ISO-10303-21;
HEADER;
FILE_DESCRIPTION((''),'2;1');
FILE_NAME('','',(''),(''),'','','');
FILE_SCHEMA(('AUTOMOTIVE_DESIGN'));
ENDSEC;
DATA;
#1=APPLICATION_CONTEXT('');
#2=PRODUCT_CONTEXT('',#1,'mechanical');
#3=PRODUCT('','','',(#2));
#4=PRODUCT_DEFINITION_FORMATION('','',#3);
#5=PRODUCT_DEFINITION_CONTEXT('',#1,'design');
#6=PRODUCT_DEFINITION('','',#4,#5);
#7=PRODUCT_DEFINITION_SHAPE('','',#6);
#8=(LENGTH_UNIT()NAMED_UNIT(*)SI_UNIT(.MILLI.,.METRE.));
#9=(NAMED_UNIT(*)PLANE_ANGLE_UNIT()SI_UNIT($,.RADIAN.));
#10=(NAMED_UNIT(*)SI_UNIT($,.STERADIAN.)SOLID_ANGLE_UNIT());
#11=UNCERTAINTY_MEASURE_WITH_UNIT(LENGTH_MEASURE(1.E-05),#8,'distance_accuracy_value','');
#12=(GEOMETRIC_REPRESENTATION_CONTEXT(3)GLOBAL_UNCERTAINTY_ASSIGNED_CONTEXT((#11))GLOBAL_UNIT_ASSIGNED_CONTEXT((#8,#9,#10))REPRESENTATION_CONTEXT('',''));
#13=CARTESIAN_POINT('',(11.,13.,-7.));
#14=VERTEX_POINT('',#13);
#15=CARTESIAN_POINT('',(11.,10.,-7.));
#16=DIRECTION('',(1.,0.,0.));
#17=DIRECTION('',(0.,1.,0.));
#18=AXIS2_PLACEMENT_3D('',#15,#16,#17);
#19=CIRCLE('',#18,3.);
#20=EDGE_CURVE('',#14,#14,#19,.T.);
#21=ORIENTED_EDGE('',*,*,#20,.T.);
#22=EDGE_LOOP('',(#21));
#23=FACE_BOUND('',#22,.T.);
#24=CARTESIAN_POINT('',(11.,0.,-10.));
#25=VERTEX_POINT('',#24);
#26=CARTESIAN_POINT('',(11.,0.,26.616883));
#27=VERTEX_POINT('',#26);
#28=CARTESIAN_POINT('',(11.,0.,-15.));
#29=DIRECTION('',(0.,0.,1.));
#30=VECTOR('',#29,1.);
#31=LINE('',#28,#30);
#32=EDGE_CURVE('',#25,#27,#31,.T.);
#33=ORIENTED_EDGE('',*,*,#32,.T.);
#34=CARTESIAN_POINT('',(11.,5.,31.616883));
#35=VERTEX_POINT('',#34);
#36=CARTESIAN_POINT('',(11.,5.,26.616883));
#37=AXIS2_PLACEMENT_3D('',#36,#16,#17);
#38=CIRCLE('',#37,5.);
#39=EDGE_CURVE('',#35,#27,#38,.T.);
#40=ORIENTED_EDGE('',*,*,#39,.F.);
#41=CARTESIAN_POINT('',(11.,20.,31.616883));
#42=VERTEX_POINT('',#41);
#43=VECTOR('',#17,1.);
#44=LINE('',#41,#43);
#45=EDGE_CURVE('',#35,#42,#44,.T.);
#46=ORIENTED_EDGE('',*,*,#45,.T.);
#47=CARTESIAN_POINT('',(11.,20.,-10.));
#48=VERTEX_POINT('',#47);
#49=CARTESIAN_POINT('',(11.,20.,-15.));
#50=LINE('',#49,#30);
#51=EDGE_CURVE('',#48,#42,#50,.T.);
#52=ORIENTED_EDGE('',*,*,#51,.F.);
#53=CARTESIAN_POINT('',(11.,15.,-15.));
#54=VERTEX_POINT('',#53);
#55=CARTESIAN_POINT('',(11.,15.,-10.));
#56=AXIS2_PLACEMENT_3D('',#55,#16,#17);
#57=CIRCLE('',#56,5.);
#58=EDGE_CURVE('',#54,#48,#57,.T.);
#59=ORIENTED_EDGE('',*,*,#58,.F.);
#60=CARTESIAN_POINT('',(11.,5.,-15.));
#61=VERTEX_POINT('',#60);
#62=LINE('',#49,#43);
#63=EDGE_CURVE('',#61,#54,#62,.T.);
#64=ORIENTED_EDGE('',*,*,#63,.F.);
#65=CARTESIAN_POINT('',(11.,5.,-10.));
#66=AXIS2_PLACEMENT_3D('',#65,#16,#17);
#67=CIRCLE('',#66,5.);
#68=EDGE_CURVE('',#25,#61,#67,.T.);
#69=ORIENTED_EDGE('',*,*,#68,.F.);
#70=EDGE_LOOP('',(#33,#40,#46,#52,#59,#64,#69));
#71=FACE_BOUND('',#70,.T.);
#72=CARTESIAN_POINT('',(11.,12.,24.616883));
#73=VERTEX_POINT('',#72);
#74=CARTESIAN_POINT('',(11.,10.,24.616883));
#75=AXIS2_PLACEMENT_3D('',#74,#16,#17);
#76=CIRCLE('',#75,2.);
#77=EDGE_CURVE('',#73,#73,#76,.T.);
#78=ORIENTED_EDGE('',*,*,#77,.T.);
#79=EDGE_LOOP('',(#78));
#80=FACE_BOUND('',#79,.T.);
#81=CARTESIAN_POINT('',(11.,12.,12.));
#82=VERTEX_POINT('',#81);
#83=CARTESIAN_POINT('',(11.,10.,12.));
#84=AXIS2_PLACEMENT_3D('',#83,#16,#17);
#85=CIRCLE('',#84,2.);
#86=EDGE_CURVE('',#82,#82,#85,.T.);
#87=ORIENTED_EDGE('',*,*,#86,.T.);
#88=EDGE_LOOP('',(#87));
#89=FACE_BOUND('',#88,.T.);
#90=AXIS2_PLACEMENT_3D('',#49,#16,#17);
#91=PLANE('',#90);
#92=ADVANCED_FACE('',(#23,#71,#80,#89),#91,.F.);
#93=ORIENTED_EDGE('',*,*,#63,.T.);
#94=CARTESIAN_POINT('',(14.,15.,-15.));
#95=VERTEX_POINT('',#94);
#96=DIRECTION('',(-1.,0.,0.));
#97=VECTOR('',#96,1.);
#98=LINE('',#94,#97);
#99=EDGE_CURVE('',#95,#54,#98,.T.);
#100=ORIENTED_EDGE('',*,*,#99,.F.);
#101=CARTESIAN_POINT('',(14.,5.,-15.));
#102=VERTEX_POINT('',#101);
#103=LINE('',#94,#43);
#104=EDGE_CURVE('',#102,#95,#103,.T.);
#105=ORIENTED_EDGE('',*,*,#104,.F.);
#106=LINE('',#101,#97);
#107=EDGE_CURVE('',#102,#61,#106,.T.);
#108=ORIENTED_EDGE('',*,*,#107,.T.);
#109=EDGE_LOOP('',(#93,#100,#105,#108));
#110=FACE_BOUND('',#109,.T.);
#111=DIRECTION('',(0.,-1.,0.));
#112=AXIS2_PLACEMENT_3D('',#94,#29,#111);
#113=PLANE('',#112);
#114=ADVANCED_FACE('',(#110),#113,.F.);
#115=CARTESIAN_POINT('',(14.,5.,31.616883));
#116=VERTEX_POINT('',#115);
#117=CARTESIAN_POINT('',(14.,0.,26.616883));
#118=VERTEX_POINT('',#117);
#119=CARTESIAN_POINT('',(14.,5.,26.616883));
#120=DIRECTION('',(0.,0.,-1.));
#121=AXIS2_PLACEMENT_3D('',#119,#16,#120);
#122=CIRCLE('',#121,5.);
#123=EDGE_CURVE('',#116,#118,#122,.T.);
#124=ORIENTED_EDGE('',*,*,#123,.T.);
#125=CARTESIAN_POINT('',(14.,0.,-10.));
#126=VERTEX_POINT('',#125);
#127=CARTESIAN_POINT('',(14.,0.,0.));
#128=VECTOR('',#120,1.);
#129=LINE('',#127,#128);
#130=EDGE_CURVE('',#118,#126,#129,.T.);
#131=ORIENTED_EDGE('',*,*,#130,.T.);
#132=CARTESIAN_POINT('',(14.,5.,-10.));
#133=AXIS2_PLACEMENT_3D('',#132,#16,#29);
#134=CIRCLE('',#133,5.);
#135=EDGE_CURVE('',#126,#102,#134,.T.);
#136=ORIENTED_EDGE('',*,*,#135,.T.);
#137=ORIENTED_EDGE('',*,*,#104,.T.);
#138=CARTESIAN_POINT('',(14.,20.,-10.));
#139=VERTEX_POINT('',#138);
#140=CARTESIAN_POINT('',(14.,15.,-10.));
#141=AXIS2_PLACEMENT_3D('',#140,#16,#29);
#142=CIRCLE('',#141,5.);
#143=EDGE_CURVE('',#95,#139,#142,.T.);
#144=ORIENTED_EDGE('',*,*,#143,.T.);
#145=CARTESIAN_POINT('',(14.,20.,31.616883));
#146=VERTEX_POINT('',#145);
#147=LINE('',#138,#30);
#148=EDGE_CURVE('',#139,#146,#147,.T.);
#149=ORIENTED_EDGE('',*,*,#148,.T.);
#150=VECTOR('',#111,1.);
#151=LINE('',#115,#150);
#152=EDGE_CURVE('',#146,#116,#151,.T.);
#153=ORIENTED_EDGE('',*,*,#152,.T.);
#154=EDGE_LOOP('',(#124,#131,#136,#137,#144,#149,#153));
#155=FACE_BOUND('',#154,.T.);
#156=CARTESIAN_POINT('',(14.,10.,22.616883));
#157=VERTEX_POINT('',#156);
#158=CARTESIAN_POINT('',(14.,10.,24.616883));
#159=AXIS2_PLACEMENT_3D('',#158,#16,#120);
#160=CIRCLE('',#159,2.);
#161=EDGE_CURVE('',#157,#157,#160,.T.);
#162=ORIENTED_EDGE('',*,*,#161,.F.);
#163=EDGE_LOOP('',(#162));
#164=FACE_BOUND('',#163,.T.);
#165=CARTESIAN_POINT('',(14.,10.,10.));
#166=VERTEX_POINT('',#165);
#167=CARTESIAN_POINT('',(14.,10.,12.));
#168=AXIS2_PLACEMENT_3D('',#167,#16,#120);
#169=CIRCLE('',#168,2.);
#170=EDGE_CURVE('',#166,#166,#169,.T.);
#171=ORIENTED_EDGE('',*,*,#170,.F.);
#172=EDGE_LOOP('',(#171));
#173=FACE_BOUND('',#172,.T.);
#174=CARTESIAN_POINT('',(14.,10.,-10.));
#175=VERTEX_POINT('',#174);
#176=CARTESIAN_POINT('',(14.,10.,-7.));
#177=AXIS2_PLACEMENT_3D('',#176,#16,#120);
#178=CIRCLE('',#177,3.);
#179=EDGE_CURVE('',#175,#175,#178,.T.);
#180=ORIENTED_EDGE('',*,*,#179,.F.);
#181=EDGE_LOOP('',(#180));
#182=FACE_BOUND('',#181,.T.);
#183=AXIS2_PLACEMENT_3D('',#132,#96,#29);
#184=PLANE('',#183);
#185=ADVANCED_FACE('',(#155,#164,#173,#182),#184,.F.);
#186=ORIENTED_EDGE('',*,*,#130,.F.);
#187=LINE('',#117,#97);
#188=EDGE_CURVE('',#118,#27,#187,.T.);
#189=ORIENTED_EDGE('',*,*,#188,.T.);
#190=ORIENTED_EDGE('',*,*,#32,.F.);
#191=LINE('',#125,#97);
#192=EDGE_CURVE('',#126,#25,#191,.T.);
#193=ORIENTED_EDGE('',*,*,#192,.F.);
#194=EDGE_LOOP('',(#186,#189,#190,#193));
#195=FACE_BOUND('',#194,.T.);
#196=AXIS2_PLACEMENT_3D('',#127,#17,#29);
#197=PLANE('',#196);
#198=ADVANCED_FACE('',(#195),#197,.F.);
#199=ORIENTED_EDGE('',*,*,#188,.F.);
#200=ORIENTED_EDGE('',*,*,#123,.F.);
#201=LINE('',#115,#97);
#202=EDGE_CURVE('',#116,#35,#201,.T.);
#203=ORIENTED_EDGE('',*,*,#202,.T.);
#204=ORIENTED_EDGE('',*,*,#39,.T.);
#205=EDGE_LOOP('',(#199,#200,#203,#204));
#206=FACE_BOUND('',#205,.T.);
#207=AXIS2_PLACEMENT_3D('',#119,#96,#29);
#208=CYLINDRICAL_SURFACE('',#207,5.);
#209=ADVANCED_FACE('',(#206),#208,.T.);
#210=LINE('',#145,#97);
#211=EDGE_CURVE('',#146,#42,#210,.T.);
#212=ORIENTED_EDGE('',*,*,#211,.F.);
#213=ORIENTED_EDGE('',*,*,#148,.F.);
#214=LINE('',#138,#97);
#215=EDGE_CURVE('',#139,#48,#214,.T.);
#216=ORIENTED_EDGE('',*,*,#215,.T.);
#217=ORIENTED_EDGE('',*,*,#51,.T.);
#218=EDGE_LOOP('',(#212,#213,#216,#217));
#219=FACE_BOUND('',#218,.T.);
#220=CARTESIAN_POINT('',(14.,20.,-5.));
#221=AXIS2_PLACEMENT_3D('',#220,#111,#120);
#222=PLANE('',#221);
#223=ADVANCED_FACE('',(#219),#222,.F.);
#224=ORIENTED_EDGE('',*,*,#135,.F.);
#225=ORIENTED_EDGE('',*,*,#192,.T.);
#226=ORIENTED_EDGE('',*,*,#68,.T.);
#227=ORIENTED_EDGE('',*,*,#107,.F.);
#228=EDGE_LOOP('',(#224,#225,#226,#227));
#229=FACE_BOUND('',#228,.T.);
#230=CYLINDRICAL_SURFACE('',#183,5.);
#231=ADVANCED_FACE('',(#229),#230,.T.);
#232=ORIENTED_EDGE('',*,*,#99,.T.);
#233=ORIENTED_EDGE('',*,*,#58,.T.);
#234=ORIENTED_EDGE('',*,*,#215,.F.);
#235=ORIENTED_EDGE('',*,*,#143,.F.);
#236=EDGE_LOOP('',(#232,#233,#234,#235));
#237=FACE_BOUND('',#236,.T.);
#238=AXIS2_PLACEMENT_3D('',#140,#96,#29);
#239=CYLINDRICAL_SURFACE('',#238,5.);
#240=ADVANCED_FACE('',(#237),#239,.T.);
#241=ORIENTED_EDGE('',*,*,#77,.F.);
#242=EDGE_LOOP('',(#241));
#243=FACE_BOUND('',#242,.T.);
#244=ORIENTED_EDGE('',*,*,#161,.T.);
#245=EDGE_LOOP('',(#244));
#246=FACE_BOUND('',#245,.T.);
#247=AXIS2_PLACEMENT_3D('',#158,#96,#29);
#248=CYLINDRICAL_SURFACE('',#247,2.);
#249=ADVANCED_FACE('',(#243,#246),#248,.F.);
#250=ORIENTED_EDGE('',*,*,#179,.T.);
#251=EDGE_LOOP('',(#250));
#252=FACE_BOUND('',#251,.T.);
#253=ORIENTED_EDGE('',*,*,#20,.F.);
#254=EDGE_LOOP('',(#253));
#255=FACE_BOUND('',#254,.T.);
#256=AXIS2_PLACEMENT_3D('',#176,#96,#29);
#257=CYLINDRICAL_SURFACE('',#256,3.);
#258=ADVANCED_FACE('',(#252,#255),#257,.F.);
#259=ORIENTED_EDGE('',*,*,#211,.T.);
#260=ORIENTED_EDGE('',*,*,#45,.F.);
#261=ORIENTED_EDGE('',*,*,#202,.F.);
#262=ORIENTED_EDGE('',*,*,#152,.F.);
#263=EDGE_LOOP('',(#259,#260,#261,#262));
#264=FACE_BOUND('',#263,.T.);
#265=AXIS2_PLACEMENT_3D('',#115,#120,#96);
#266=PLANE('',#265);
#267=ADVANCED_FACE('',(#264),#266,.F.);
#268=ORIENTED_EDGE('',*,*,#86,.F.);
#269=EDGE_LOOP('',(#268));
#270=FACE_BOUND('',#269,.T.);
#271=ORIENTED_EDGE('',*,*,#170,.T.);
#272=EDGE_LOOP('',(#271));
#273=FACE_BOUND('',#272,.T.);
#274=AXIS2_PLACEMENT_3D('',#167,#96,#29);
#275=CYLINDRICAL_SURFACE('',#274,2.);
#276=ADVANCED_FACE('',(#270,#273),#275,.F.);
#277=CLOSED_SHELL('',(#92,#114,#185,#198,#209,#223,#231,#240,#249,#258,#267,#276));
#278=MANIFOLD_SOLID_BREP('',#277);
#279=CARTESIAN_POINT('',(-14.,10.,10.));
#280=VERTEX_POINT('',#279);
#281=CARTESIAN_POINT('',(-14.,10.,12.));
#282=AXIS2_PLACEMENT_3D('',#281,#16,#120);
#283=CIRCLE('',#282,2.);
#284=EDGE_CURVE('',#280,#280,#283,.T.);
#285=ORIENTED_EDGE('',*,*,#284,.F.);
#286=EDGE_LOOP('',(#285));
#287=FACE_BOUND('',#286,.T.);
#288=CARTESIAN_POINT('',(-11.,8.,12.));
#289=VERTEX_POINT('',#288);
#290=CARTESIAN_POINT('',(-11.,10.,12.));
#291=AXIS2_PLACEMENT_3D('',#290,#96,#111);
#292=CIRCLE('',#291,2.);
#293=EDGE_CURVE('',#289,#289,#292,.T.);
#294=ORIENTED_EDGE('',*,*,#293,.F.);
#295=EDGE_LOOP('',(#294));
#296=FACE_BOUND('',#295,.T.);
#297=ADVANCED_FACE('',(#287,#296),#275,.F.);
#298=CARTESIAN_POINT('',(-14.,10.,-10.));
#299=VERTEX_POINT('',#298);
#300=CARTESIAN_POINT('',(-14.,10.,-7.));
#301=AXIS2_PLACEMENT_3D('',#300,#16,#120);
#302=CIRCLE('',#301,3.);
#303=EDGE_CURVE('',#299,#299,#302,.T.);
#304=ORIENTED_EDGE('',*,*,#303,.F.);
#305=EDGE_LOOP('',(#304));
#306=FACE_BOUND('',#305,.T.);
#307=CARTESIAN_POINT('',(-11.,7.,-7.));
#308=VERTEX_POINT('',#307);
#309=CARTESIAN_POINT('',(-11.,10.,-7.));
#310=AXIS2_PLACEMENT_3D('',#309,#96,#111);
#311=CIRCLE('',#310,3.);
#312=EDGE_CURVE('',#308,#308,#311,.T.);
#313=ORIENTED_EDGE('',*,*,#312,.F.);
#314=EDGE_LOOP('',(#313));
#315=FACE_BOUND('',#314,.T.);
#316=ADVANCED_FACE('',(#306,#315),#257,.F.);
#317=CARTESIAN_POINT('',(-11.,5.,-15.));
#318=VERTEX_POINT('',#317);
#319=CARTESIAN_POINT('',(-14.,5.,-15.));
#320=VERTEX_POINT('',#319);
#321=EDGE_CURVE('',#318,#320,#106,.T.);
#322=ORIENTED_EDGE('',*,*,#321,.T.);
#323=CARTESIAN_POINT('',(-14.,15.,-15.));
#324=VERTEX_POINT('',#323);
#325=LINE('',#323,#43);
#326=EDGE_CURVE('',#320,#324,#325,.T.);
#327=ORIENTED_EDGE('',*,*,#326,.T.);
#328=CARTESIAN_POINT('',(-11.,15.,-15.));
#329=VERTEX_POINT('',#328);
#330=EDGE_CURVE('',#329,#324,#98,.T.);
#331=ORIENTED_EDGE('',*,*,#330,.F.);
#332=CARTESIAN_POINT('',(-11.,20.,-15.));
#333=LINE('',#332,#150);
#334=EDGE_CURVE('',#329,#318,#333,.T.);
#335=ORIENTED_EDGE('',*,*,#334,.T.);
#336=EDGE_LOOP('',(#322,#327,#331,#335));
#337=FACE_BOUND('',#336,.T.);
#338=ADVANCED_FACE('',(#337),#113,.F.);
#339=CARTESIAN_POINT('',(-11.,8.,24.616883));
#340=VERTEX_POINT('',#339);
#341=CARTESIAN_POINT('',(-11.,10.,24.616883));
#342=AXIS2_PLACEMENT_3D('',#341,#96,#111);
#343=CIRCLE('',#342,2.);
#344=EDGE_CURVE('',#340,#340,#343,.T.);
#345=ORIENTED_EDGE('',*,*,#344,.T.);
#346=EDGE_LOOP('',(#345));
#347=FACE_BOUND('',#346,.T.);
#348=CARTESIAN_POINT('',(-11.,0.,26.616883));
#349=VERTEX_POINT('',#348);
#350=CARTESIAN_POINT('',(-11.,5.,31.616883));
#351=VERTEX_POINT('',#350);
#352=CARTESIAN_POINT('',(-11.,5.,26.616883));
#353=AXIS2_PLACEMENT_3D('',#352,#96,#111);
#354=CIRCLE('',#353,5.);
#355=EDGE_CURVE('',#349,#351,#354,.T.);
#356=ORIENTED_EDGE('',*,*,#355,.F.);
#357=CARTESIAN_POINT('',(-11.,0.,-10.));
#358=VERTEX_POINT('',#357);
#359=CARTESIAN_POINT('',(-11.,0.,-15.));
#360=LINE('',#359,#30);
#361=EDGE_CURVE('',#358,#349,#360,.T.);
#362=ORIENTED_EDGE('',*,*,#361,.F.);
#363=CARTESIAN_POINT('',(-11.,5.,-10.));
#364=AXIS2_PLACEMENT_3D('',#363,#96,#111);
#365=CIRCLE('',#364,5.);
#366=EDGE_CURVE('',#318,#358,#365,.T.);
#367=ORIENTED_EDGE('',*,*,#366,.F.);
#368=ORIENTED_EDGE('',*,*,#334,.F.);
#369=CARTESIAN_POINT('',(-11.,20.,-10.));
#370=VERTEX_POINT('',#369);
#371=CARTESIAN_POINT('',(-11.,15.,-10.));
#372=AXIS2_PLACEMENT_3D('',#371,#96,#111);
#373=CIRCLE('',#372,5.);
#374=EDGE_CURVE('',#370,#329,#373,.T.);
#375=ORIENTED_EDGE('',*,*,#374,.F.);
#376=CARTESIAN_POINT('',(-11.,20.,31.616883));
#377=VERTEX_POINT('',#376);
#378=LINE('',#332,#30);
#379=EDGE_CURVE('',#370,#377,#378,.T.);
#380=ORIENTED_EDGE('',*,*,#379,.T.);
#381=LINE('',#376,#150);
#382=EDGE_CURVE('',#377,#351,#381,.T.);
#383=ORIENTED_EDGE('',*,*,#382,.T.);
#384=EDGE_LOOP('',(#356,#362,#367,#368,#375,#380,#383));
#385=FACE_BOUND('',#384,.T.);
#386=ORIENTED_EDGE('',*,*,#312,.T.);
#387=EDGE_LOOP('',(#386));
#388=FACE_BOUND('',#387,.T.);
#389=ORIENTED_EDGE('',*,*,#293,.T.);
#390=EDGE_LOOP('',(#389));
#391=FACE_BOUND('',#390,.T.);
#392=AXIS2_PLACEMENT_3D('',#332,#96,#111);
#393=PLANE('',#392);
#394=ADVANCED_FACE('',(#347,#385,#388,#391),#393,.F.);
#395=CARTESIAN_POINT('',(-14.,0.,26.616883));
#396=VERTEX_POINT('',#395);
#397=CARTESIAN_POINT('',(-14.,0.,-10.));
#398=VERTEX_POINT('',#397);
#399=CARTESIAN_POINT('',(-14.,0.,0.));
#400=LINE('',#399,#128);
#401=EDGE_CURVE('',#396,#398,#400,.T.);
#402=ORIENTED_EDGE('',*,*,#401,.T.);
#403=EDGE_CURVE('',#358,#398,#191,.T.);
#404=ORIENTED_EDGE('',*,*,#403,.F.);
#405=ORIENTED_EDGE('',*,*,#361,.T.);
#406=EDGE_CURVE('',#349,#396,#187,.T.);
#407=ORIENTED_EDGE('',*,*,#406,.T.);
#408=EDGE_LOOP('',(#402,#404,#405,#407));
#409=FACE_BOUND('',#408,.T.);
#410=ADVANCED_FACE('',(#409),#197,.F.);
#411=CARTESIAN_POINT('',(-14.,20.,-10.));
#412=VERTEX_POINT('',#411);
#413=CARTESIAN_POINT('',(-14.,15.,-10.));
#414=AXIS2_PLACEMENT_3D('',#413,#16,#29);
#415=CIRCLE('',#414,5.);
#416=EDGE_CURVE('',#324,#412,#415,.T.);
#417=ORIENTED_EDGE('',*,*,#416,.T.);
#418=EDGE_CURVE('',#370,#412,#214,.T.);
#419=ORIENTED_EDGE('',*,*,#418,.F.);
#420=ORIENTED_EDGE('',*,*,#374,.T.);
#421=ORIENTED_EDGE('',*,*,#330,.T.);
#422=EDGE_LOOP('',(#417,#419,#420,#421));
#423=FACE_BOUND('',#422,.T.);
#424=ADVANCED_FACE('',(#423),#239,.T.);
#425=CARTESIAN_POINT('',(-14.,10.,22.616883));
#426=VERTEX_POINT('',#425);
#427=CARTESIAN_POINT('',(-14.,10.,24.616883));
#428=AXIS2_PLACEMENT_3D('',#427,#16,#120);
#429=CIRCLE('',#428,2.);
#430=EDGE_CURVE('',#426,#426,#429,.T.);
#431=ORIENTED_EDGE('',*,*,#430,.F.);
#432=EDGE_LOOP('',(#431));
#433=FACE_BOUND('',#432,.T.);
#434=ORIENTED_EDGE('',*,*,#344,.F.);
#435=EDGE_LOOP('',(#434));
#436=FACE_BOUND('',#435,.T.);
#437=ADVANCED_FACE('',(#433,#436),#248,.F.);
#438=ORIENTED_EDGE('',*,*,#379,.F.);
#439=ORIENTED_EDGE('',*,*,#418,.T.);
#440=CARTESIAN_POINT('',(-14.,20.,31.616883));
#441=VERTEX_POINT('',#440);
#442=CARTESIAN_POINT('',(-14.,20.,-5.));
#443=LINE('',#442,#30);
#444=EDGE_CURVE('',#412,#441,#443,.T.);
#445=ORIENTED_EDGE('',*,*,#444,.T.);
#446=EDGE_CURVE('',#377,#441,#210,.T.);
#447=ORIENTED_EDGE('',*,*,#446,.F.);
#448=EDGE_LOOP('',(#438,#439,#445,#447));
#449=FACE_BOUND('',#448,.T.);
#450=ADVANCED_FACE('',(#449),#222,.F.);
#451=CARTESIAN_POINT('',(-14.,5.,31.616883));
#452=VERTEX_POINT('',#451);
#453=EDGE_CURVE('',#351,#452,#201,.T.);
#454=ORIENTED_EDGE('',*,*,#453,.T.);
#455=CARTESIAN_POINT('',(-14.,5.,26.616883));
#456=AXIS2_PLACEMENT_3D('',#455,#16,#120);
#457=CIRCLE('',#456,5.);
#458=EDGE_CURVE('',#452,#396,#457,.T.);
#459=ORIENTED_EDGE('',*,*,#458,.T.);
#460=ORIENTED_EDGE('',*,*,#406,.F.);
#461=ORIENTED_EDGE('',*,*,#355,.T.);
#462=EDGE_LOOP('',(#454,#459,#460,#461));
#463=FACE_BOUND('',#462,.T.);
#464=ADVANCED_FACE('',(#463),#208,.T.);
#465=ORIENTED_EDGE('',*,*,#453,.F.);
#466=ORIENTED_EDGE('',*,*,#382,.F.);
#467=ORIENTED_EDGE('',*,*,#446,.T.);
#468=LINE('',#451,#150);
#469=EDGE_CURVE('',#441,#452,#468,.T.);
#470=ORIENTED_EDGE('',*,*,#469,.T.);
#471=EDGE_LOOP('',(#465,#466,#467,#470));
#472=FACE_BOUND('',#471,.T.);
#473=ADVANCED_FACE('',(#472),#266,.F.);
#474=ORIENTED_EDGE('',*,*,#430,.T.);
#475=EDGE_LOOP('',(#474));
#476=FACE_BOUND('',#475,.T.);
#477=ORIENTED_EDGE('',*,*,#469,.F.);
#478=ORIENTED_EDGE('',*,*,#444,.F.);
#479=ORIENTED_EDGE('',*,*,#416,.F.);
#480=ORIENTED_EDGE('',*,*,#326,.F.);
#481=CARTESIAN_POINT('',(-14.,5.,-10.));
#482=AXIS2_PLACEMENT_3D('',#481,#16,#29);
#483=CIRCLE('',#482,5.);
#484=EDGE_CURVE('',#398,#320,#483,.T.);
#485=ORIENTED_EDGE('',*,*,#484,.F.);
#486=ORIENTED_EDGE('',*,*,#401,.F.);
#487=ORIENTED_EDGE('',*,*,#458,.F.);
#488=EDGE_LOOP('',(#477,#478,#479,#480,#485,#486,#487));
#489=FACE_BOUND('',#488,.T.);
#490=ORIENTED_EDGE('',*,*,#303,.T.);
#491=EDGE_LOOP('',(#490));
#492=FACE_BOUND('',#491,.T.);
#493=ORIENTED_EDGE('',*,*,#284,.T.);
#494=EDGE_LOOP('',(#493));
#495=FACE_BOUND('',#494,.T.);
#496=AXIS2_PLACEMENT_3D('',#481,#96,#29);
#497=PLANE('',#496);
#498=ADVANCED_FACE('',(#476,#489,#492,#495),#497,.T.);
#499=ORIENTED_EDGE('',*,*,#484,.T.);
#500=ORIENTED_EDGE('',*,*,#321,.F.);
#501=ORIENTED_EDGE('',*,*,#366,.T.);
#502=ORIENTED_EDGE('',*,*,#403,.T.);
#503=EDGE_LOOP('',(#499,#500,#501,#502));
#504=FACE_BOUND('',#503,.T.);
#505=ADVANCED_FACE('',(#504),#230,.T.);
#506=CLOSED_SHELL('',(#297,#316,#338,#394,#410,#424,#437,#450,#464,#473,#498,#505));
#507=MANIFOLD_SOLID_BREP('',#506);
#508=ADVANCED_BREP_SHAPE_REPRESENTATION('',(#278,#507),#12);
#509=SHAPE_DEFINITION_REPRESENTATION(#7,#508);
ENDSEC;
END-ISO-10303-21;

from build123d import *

# Parameters (mm, degrees)
SZKIC1_R                        = 2
SZKIC1_R_2                      = 3
DODANIE_WYCI_GNI_CIE1_DEPTH     = 14
SZKIC2_W                        = 22
SZKIC2_H                        = 20
WYTNIJ_WYCI_GNI_CIE1_DEPTH      = 32.61688289
WYTNIJ_WYCI_GNI_CIE1_DEPTH_BACK = 16


with BuildPart() as part:
    # Szkic1 → Dodanie-wyciągnięcie1 (new body, symmetric)
    with BuildSketch(Plane(origin=(0, 0, 0), x_dir=(0, 0, -1), z_dir=(1, 0, 0))):
        with BuildLine():
            Line((0, 0), (-26.61688289, 0))
            ThreePointArc((-26.61688289, 0), (-30.152416796, 1.464466094), (-31.61688289, 5))
            Line((-31.61688289, 5), (-31.61688289, 20))
            Line((-31.61688289, 20), (5, 20))
            Line((5, 20), (10, 20))
            ThreePointArc((10, 20), (13.535533906, 18.535533906), (15, 15))
            Line((15, 15), (15, 5))
            ThreePointArc((15, 5), (13.535533906, 1.464466094), (10, 0))
            Line((10, 0), (0, 0))
        make_face()
        with Locations((-24.61688289, 10)):
            Circle(SZKIC1_R, mode=Mode.SUBTRACT)
        with Locations((-12, 10)):
            Circle(SZKIC1_R, mode=Mode.SUBTRACT)
        with Locations((7, 10)):
            Circle(SZKIC1_R_2, mode=Mode.SUBTRACT)
    extrude(amount=DODANIE_WYCI_GNI_CIE1_DEPTH, both=True)

    # Szkic2 → Wytnij-wyciągnięcie1 (cut, two sides)
    with BuildSketch(Plane.XY) as wytnij_wyci_gni_cie1_sk:
        with Locations((0, 10)):
            Rectangle(SZKIC2_W, SZKIC2_H)
    extrude(amount=WYTNIJ_WYCI_GNI_CIE1_DEPTH, mode=Mode.SUBTRACT)
    extrude(wytnij_wyci_gni_cie1_sk.sketch, amount=-WYTNIJ_WYCI_GNI_CIE1_DEPTH_BACK, mode=Mode.SUBTRACT)


solid = part.part
